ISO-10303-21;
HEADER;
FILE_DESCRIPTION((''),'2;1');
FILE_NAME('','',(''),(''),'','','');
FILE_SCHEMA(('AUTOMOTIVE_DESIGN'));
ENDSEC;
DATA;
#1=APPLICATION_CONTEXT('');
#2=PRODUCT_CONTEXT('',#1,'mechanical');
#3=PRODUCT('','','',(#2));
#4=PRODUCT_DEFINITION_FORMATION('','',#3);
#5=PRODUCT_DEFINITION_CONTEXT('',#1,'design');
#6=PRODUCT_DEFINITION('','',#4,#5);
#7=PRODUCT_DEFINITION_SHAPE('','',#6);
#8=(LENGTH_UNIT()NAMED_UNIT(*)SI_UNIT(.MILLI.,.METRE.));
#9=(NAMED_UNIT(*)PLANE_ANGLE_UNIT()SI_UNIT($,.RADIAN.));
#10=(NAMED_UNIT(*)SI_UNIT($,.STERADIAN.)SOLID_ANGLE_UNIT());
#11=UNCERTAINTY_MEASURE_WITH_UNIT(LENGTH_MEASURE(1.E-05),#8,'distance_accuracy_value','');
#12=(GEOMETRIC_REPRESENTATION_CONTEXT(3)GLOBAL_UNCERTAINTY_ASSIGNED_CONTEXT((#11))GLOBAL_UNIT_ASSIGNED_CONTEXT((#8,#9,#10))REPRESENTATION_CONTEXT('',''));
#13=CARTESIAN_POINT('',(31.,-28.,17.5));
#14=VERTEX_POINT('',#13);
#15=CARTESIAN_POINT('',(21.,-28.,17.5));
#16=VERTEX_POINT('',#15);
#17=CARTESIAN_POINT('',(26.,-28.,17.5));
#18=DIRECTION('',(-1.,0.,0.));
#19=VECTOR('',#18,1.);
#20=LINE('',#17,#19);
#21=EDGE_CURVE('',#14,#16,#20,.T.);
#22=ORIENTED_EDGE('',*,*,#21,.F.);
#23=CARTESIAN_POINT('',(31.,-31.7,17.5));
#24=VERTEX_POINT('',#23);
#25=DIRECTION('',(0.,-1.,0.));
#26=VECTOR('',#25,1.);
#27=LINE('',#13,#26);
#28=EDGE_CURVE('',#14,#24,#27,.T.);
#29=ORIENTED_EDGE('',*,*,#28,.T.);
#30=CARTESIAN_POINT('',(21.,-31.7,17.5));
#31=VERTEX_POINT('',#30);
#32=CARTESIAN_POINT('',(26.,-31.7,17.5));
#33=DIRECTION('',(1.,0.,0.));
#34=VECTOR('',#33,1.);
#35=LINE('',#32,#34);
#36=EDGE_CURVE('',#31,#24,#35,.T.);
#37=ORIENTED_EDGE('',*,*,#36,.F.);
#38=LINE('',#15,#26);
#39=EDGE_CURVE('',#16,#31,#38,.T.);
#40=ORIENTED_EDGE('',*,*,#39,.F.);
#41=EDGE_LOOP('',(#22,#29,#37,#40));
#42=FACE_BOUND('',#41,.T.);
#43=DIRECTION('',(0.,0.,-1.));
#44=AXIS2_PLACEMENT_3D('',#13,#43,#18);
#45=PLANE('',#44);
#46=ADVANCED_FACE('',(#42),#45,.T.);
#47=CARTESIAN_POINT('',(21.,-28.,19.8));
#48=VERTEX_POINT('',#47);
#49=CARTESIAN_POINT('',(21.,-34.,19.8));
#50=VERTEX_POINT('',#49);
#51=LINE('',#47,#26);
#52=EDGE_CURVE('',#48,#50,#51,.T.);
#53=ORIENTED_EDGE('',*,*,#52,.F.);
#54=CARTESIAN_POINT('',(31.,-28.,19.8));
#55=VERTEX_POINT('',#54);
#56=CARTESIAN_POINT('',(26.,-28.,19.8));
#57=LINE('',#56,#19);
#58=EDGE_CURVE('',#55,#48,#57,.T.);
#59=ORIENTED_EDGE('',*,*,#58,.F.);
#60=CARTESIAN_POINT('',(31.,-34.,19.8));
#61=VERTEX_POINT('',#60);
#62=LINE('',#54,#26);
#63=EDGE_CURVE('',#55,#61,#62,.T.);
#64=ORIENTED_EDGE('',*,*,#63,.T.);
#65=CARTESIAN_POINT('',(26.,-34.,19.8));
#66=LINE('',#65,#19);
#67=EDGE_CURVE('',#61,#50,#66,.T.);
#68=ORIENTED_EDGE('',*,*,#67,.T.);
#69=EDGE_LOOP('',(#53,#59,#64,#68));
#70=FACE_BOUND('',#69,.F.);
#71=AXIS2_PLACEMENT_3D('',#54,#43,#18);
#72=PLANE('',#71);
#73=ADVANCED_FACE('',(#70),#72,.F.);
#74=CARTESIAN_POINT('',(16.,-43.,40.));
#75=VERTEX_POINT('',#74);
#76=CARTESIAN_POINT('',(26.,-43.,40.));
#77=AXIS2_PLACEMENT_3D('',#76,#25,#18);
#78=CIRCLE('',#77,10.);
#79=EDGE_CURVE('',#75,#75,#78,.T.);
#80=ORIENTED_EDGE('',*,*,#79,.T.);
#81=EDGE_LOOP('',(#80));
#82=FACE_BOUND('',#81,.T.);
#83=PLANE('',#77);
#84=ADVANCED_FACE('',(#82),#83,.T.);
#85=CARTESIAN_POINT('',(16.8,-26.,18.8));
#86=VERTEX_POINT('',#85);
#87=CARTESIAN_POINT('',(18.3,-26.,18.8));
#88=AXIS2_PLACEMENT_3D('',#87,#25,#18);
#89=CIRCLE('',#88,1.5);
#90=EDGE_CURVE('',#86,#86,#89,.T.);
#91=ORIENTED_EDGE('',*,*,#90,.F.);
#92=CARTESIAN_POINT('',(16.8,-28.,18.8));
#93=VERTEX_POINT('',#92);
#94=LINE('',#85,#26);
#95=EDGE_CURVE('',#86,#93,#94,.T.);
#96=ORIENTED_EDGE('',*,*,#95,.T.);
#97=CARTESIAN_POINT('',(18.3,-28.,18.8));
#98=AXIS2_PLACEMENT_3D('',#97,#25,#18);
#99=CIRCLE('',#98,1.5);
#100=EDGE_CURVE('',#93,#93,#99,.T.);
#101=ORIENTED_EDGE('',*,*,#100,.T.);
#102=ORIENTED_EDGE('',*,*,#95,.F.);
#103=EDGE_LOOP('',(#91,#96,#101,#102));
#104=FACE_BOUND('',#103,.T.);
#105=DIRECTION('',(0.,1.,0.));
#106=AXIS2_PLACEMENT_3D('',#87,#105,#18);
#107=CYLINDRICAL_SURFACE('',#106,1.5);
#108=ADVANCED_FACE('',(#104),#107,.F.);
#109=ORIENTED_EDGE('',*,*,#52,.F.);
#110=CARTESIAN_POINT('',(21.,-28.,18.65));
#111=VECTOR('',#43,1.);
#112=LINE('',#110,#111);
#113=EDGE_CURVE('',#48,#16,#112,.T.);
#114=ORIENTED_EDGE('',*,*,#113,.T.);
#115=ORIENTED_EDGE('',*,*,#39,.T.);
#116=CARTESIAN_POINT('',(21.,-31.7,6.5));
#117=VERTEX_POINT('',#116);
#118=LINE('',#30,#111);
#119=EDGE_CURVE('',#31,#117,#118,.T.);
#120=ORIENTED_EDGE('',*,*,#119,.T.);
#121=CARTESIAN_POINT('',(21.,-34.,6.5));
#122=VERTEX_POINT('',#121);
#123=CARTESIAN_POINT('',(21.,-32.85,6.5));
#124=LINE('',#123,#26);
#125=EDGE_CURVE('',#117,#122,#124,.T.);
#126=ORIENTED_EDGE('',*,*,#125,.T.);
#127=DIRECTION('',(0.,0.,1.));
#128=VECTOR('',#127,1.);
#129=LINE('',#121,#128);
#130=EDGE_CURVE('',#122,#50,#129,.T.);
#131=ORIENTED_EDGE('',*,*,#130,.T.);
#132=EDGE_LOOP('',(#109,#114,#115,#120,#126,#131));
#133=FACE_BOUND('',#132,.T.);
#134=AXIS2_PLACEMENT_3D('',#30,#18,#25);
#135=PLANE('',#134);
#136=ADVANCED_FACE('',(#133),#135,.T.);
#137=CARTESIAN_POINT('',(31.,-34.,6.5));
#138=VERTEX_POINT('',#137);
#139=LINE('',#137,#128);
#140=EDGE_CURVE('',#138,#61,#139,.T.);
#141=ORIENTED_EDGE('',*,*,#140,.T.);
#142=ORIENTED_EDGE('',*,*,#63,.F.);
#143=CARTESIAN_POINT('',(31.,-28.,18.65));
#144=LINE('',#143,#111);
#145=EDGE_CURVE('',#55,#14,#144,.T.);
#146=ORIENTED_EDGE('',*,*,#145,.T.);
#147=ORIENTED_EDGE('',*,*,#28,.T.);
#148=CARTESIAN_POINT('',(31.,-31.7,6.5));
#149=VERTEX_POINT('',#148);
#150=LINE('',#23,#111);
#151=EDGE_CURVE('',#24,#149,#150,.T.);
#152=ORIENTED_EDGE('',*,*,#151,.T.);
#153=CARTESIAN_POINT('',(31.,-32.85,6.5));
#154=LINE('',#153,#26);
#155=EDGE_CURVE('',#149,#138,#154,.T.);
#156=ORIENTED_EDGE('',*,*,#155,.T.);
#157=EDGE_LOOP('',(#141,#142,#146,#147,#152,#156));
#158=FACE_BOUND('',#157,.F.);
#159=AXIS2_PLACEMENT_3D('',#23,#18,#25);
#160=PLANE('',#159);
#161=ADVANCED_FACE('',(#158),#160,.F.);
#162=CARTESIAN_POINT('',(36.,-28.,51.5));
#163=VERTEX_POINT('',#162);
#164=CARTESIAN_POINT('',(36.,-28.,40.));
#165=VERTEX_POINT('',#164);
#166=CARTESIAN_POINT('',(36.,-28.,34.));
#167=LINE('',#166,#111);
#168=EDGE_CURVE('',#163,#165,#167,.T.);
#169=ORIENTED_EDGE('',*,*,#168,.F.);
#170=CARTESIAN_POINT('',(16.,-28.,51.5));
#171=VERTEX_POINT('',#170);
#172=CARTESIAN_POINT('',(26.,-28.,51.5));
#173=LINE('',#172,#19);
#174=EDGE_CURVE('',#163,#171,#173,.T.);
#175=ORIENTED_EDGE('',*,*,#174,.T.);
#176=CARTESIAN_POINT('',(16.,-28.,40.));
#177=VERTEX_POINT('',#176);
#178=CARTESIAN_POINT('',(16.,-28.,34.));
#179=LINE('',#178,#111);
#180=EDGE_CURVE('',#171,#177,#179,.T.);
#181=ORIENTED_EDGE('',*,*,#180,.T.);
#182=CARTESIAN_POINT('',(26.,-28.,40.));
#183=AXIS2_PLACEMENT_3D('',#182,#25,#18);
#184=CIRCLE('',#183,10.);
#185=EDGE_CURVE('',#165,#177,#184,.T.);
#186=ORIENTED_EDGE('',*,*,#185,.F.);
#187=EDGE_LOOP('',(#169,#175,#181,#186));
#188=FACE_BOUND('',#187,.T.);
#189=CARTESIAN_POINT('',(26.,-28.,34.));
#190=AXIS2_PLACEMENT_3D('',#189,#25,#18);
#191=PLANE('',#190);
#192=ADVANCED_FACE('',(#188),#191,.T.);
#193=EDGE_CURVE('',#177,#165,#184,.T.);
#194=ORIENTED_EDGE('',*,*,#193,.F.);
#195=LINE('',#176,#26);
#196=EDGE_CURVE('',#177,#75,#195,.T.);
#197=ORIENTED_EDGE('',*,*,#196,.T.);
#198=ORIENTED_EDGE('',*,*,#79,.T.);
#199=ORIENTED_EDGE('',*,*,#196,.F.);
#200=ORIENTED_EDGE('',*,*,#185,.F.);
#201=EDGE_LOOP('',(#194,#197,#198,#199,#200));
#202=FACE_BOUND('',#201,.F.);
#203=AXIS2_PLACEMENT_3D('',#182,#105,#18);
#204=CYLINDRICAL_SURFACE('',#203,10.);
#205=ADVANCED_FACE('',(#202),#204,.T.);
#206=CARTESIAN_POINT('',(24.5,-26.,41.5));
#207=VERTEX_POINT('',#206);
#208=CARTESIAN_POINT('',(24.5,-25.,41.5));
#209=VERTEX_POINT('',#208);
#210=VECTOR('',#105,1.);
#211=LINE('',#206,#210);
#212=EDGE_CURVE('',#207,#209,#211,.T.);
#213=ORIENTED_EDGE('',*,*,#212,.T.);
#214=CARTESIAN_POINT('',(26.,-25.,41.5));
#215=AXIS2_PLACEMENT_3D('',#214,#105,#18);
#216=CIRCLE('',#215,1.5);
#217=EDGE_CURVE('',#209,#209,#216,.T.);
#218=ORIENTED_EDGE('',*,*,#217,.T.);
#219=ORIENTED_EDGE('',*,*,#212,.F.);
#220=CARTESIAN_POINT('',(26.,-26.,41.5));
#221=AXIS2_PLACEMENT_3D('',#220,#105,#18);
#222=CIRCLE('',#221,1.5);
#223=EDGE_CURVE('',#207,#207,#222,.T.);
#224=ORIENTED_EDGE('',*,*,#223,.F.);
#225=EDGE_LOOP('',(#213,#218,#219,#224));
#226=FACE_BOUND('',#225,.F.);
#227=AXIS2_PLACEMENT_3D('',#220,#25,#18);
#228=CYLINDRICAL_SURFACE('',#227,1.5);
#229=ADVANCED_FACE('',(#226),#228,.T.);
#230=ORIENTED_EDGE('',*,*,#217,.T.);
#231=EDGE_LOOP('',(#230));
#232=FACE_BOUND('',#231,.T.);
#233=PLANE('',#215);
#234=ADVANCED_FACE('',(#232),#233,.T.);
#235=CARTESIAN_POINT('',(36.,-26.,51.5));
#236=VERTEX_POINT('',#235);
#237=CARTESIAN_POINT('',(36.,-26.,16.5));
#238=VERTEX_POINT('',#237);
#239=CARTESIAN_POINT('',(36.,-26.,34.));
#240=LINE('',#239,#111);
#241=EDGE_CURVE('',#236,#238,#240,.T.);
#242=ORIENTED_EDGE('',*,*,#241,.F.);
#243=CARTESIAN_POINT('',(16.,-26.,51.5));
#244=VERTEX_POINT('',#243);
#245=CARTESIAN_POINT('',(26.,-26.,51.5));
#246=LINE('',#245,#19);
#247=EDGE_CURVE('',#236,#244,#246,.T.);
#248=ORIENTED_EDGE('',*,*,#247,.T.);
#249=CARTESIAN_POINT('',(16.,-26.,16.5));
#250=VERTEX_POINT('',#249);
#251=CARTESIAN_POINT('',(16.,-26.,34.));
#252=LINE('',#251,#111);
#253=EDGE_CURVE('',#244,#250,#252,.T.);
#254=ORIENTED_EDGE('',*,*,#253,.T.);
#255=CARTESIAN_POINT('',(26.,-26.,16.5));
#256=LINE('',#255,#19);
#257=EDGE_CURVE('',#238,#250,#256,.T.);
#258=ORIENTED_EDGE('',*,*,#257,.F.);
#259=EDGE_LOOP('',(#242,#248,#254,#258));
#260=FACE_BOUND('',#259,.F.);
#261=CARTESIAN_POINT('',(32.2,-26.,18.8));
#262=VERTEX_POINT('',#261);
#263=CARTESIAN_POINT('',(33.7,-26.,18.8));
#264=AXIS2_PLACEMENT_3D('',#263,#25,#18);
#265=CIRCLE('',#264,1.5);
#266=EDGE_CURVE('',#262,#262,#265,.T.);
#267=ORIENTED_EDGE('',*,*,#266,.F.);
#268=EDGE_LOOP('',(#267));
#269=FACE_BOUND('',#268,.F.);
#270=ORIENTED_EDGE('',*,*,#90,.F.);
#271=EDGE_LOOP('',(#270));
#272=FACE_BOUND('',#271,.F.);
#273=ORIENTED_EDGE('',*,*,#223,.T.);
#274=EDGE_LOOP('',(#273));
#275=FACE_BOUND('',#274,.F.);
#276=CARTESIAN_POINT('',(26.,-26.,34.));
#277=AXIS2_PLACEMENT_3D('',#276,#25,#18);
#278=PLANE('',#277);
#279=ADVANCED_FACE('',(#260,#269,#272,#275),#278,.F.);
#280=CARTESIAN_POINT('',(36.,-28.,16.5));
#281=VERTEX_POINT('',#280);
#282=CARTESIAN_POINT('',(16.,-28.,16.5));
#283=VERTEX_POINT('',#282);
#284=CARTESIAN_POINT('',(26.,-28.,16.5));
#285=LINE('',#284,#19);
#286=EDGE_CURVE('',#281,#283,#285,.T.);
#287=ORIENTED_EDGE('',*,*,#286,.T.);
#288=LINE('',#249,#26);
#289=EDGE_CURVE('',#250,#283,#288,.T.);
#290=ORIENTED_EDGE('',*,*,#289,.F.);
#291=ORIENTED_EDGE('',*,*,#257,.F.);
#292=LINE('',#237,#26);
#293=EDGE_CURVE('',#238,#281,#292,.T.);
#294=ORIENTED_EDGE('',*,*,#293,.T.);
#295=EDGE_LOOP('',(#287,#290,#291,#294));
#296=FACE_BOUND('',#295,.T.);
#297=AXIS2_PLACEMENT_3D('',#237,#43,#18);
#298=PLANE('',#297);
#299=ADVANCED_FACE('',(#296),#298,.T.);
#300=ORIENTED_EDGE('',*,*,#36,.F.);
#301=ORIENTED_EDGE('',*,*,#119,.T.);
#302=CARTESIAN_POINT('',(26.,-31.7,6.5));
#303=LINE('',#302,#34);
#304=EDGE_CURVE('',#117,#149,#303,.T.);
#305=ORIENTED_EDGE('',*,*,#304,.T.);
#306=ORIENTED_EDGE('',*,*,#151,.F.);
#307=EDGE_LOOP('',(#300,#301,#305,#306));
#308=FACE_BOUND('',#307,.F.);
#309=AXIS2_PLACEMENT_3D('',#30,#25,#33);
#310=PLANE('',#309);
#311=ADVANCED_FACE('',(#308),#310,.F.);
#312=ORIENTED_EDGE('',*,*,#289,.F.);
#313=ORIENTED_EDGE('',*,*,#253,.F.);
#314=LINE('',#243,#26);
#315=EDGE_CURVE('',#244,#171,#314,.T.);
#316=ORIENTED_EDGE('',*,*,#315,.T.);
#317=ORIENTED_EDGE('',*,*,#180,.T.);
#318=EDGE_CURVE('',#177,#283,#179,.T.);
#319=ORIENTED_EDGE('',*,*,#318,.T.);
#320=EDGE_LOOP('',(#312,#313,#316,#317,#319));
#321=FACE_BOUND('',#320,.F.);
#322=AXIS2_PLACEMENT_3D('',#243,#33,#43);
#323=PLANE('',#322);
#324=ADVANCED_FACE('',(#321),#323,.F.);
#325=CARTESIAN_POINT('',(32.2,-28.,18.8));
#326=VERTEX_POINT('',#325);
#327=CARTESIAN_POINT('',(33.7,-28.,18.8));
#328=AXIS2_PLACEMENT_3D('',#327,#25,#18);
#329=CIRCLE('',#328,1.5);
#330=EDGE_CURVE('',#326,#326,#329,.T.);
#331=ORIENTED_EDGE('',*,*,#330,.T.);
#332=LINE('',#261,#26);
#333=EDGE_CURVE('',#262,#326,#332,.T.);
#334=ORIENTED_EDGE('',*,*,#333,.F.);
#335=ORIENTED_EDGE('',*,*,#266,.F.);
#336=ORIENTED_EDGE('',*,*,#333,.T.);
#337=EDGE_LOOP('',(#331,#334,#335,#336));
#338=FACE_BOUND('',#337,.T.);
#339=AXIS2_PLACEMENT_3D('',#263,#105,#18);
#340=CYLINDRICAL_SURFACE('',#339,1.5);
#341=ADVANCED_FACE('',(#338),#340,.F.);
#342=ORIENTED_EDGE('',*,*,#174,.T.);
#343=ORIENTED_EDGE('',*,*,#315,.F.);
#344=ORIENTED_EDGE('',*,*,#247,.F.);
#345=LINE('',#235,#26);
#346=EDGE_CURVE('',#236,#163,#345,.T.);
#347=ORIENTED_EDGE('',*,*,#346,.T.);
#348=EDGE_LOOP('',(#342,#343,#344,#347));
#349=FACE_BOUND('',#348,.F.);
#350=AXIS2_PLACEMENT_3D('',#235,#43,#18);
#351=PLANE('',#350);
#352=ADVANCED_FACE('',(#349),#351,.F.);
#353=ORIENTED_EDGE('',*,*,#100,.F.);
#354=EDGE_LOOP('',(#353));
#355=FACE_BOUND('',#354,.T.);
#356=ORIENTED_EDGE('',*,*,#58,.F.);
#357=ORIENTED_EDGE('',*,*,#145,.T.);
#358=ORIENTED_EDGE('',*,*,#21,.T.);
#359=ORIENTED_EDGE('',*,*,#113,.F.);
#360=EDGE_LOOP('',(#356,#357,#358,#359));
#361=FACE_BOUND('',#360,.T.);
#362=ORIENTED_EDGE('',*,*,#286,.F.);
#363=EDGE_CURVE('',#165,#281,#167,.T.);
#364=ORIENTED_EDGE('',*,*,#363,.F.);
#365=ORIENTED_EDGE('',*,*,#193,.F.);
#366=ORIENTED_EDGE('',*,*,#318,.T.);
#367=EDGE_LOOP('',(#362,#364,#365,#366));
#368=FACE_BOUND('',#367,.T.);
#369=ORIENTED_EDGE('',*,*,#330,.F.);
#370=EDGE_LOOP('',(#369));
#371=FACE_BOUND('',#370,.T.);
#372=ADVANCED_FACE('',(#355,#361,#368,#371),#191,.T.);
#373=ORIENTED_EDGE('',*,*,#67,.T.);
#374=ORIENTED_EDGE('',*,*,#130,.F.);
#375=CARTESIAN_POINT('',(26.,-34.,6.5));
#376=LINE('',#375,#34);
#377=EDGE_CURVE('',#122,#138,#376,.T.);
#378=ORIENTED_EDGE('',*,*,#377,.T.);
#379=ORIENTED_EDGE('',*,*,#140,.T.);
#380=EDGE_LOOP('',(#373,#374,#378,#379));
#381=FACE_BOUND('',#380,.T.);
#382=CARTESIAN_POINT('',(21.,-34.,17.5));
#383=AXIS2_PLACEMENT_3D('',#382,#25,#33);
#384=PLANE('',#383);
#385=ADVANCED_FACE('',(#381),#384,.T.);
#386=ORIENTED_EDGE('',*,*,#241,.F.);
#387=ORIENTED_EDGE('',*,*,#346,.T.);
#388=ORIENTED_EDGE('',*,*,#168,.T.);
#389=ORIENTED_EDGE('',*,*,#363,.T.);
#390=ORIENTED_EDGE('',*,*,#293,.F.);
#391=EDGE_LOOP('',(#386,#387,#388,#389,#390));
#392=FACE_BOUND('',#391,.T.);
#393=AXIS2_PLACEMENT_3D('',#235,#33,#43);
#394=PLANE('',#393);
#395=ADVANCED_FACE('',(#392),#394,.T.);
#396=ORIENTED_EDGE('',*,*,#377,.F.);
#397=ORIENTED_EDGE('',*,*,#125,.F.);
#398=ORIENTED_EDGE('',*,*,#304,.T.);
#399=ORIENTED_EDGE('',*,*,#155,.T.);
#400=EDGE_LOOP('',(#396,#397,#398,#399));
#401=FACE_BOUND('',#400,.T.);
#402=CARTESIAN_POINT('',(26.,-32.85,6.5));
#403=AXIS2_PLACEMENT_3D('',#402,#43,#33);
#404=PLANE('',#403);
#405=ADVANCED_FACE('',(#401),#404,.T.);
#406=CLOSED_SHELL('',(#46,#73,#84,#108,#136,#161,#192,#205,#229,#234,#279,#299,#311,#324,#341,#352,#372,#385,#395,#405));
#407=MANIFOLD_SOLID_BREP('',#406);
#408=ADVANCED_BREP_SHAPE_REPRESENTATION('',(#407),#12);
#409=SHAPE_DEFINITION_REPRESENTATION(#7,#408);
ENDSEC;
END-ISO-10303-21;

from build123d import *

# Parameters (mm, degrees)
SKETCH009_W             = 20
SKETCH009_H             = 35
SKETCH009_R             = 1.5
PAD007_DEPTH            = 2
SKETCH010_R             = 10
PAD008_DEPTH            = 15
SKETCH011_R             = 1.5
PAD009_DEPTH            = 1
SKETCH012_W             = 10
SKETCH012_H             = 2.3
PAD010_DEPTH            = 6
SKETCH013_W             = 10
SKETCH013_H             = 2.3
PAD011_DEPTH            = 11
BODY002_PLACEMENT_ANGLE = 180


with BuildPart() as part:
    # Sketch009 → Pad007 (new body)
    with BuildSketch(Plane.XZ):
        Rectangle(SKETCH009_W, SKETCH009_H)
        with Locations((7.7, 15.2)):
            Circle(SKETCH009_R, mode=Mode.SUBTRACT)
        with Locations((-7.7, 15.2)):
            Circle(SKETCH009_R, mode=Mode.SUBTRACT)
    extrude(amount=PAD007_DEPTH)

    # Sketch010 (on Face8 of Pad007) → Pad008 (join)
    with BuildSketch(Plane.XZ.offset(2)):
        with Locations((0, -6)):
            Circle(SKETCH010_R)
    extrude(amount=PAD008_DEPTH)

    # Sketch011 (on Face4 of Pad008) → Pad009 (join)
    with BuildSketch(Plane(origin=(0, 0, 0), x_dir=(1, 0, 0), z_dir=(0, 1, 0))):
        with Locations((0, 7.5)):
            Circle(SKETCH011_R)
    extrude(amount=PAD009_DEPTH)

    # Sketch012 (on Face5 of Pad009) → Pad010 (join)
    with BuildSketch(Plane.XZ.offset(2)):
        with Locations((0, 15.35)):
            Rectangle(SKETCH012_W, SKETCH012_H)
    extrude(amount=PAD010_DEPTH)

    # Sketch013 (on Face13 of Pad010) → Pad011 (join)
    with BuildSketch(Plane(origin=(0, 0, 16.5), x_dir=(-1, 0, 0), z_dir=(0, 0, 1))):
        with Locations((0, 6.85)):
            Rectangle(SKETCH013_W, SKETCH013_H)
    extrude(amount=PAD011_DEPTH)


with BuildPart() as part_1:
    # Body002 placement: moved
    add(part.part.moved(Location((26, -26, 34))).rotate(Axis((26, -26, 34), (0, 1, 0)), BODY002_PLACEMENT_ANGLE))


solid = part_1.part
